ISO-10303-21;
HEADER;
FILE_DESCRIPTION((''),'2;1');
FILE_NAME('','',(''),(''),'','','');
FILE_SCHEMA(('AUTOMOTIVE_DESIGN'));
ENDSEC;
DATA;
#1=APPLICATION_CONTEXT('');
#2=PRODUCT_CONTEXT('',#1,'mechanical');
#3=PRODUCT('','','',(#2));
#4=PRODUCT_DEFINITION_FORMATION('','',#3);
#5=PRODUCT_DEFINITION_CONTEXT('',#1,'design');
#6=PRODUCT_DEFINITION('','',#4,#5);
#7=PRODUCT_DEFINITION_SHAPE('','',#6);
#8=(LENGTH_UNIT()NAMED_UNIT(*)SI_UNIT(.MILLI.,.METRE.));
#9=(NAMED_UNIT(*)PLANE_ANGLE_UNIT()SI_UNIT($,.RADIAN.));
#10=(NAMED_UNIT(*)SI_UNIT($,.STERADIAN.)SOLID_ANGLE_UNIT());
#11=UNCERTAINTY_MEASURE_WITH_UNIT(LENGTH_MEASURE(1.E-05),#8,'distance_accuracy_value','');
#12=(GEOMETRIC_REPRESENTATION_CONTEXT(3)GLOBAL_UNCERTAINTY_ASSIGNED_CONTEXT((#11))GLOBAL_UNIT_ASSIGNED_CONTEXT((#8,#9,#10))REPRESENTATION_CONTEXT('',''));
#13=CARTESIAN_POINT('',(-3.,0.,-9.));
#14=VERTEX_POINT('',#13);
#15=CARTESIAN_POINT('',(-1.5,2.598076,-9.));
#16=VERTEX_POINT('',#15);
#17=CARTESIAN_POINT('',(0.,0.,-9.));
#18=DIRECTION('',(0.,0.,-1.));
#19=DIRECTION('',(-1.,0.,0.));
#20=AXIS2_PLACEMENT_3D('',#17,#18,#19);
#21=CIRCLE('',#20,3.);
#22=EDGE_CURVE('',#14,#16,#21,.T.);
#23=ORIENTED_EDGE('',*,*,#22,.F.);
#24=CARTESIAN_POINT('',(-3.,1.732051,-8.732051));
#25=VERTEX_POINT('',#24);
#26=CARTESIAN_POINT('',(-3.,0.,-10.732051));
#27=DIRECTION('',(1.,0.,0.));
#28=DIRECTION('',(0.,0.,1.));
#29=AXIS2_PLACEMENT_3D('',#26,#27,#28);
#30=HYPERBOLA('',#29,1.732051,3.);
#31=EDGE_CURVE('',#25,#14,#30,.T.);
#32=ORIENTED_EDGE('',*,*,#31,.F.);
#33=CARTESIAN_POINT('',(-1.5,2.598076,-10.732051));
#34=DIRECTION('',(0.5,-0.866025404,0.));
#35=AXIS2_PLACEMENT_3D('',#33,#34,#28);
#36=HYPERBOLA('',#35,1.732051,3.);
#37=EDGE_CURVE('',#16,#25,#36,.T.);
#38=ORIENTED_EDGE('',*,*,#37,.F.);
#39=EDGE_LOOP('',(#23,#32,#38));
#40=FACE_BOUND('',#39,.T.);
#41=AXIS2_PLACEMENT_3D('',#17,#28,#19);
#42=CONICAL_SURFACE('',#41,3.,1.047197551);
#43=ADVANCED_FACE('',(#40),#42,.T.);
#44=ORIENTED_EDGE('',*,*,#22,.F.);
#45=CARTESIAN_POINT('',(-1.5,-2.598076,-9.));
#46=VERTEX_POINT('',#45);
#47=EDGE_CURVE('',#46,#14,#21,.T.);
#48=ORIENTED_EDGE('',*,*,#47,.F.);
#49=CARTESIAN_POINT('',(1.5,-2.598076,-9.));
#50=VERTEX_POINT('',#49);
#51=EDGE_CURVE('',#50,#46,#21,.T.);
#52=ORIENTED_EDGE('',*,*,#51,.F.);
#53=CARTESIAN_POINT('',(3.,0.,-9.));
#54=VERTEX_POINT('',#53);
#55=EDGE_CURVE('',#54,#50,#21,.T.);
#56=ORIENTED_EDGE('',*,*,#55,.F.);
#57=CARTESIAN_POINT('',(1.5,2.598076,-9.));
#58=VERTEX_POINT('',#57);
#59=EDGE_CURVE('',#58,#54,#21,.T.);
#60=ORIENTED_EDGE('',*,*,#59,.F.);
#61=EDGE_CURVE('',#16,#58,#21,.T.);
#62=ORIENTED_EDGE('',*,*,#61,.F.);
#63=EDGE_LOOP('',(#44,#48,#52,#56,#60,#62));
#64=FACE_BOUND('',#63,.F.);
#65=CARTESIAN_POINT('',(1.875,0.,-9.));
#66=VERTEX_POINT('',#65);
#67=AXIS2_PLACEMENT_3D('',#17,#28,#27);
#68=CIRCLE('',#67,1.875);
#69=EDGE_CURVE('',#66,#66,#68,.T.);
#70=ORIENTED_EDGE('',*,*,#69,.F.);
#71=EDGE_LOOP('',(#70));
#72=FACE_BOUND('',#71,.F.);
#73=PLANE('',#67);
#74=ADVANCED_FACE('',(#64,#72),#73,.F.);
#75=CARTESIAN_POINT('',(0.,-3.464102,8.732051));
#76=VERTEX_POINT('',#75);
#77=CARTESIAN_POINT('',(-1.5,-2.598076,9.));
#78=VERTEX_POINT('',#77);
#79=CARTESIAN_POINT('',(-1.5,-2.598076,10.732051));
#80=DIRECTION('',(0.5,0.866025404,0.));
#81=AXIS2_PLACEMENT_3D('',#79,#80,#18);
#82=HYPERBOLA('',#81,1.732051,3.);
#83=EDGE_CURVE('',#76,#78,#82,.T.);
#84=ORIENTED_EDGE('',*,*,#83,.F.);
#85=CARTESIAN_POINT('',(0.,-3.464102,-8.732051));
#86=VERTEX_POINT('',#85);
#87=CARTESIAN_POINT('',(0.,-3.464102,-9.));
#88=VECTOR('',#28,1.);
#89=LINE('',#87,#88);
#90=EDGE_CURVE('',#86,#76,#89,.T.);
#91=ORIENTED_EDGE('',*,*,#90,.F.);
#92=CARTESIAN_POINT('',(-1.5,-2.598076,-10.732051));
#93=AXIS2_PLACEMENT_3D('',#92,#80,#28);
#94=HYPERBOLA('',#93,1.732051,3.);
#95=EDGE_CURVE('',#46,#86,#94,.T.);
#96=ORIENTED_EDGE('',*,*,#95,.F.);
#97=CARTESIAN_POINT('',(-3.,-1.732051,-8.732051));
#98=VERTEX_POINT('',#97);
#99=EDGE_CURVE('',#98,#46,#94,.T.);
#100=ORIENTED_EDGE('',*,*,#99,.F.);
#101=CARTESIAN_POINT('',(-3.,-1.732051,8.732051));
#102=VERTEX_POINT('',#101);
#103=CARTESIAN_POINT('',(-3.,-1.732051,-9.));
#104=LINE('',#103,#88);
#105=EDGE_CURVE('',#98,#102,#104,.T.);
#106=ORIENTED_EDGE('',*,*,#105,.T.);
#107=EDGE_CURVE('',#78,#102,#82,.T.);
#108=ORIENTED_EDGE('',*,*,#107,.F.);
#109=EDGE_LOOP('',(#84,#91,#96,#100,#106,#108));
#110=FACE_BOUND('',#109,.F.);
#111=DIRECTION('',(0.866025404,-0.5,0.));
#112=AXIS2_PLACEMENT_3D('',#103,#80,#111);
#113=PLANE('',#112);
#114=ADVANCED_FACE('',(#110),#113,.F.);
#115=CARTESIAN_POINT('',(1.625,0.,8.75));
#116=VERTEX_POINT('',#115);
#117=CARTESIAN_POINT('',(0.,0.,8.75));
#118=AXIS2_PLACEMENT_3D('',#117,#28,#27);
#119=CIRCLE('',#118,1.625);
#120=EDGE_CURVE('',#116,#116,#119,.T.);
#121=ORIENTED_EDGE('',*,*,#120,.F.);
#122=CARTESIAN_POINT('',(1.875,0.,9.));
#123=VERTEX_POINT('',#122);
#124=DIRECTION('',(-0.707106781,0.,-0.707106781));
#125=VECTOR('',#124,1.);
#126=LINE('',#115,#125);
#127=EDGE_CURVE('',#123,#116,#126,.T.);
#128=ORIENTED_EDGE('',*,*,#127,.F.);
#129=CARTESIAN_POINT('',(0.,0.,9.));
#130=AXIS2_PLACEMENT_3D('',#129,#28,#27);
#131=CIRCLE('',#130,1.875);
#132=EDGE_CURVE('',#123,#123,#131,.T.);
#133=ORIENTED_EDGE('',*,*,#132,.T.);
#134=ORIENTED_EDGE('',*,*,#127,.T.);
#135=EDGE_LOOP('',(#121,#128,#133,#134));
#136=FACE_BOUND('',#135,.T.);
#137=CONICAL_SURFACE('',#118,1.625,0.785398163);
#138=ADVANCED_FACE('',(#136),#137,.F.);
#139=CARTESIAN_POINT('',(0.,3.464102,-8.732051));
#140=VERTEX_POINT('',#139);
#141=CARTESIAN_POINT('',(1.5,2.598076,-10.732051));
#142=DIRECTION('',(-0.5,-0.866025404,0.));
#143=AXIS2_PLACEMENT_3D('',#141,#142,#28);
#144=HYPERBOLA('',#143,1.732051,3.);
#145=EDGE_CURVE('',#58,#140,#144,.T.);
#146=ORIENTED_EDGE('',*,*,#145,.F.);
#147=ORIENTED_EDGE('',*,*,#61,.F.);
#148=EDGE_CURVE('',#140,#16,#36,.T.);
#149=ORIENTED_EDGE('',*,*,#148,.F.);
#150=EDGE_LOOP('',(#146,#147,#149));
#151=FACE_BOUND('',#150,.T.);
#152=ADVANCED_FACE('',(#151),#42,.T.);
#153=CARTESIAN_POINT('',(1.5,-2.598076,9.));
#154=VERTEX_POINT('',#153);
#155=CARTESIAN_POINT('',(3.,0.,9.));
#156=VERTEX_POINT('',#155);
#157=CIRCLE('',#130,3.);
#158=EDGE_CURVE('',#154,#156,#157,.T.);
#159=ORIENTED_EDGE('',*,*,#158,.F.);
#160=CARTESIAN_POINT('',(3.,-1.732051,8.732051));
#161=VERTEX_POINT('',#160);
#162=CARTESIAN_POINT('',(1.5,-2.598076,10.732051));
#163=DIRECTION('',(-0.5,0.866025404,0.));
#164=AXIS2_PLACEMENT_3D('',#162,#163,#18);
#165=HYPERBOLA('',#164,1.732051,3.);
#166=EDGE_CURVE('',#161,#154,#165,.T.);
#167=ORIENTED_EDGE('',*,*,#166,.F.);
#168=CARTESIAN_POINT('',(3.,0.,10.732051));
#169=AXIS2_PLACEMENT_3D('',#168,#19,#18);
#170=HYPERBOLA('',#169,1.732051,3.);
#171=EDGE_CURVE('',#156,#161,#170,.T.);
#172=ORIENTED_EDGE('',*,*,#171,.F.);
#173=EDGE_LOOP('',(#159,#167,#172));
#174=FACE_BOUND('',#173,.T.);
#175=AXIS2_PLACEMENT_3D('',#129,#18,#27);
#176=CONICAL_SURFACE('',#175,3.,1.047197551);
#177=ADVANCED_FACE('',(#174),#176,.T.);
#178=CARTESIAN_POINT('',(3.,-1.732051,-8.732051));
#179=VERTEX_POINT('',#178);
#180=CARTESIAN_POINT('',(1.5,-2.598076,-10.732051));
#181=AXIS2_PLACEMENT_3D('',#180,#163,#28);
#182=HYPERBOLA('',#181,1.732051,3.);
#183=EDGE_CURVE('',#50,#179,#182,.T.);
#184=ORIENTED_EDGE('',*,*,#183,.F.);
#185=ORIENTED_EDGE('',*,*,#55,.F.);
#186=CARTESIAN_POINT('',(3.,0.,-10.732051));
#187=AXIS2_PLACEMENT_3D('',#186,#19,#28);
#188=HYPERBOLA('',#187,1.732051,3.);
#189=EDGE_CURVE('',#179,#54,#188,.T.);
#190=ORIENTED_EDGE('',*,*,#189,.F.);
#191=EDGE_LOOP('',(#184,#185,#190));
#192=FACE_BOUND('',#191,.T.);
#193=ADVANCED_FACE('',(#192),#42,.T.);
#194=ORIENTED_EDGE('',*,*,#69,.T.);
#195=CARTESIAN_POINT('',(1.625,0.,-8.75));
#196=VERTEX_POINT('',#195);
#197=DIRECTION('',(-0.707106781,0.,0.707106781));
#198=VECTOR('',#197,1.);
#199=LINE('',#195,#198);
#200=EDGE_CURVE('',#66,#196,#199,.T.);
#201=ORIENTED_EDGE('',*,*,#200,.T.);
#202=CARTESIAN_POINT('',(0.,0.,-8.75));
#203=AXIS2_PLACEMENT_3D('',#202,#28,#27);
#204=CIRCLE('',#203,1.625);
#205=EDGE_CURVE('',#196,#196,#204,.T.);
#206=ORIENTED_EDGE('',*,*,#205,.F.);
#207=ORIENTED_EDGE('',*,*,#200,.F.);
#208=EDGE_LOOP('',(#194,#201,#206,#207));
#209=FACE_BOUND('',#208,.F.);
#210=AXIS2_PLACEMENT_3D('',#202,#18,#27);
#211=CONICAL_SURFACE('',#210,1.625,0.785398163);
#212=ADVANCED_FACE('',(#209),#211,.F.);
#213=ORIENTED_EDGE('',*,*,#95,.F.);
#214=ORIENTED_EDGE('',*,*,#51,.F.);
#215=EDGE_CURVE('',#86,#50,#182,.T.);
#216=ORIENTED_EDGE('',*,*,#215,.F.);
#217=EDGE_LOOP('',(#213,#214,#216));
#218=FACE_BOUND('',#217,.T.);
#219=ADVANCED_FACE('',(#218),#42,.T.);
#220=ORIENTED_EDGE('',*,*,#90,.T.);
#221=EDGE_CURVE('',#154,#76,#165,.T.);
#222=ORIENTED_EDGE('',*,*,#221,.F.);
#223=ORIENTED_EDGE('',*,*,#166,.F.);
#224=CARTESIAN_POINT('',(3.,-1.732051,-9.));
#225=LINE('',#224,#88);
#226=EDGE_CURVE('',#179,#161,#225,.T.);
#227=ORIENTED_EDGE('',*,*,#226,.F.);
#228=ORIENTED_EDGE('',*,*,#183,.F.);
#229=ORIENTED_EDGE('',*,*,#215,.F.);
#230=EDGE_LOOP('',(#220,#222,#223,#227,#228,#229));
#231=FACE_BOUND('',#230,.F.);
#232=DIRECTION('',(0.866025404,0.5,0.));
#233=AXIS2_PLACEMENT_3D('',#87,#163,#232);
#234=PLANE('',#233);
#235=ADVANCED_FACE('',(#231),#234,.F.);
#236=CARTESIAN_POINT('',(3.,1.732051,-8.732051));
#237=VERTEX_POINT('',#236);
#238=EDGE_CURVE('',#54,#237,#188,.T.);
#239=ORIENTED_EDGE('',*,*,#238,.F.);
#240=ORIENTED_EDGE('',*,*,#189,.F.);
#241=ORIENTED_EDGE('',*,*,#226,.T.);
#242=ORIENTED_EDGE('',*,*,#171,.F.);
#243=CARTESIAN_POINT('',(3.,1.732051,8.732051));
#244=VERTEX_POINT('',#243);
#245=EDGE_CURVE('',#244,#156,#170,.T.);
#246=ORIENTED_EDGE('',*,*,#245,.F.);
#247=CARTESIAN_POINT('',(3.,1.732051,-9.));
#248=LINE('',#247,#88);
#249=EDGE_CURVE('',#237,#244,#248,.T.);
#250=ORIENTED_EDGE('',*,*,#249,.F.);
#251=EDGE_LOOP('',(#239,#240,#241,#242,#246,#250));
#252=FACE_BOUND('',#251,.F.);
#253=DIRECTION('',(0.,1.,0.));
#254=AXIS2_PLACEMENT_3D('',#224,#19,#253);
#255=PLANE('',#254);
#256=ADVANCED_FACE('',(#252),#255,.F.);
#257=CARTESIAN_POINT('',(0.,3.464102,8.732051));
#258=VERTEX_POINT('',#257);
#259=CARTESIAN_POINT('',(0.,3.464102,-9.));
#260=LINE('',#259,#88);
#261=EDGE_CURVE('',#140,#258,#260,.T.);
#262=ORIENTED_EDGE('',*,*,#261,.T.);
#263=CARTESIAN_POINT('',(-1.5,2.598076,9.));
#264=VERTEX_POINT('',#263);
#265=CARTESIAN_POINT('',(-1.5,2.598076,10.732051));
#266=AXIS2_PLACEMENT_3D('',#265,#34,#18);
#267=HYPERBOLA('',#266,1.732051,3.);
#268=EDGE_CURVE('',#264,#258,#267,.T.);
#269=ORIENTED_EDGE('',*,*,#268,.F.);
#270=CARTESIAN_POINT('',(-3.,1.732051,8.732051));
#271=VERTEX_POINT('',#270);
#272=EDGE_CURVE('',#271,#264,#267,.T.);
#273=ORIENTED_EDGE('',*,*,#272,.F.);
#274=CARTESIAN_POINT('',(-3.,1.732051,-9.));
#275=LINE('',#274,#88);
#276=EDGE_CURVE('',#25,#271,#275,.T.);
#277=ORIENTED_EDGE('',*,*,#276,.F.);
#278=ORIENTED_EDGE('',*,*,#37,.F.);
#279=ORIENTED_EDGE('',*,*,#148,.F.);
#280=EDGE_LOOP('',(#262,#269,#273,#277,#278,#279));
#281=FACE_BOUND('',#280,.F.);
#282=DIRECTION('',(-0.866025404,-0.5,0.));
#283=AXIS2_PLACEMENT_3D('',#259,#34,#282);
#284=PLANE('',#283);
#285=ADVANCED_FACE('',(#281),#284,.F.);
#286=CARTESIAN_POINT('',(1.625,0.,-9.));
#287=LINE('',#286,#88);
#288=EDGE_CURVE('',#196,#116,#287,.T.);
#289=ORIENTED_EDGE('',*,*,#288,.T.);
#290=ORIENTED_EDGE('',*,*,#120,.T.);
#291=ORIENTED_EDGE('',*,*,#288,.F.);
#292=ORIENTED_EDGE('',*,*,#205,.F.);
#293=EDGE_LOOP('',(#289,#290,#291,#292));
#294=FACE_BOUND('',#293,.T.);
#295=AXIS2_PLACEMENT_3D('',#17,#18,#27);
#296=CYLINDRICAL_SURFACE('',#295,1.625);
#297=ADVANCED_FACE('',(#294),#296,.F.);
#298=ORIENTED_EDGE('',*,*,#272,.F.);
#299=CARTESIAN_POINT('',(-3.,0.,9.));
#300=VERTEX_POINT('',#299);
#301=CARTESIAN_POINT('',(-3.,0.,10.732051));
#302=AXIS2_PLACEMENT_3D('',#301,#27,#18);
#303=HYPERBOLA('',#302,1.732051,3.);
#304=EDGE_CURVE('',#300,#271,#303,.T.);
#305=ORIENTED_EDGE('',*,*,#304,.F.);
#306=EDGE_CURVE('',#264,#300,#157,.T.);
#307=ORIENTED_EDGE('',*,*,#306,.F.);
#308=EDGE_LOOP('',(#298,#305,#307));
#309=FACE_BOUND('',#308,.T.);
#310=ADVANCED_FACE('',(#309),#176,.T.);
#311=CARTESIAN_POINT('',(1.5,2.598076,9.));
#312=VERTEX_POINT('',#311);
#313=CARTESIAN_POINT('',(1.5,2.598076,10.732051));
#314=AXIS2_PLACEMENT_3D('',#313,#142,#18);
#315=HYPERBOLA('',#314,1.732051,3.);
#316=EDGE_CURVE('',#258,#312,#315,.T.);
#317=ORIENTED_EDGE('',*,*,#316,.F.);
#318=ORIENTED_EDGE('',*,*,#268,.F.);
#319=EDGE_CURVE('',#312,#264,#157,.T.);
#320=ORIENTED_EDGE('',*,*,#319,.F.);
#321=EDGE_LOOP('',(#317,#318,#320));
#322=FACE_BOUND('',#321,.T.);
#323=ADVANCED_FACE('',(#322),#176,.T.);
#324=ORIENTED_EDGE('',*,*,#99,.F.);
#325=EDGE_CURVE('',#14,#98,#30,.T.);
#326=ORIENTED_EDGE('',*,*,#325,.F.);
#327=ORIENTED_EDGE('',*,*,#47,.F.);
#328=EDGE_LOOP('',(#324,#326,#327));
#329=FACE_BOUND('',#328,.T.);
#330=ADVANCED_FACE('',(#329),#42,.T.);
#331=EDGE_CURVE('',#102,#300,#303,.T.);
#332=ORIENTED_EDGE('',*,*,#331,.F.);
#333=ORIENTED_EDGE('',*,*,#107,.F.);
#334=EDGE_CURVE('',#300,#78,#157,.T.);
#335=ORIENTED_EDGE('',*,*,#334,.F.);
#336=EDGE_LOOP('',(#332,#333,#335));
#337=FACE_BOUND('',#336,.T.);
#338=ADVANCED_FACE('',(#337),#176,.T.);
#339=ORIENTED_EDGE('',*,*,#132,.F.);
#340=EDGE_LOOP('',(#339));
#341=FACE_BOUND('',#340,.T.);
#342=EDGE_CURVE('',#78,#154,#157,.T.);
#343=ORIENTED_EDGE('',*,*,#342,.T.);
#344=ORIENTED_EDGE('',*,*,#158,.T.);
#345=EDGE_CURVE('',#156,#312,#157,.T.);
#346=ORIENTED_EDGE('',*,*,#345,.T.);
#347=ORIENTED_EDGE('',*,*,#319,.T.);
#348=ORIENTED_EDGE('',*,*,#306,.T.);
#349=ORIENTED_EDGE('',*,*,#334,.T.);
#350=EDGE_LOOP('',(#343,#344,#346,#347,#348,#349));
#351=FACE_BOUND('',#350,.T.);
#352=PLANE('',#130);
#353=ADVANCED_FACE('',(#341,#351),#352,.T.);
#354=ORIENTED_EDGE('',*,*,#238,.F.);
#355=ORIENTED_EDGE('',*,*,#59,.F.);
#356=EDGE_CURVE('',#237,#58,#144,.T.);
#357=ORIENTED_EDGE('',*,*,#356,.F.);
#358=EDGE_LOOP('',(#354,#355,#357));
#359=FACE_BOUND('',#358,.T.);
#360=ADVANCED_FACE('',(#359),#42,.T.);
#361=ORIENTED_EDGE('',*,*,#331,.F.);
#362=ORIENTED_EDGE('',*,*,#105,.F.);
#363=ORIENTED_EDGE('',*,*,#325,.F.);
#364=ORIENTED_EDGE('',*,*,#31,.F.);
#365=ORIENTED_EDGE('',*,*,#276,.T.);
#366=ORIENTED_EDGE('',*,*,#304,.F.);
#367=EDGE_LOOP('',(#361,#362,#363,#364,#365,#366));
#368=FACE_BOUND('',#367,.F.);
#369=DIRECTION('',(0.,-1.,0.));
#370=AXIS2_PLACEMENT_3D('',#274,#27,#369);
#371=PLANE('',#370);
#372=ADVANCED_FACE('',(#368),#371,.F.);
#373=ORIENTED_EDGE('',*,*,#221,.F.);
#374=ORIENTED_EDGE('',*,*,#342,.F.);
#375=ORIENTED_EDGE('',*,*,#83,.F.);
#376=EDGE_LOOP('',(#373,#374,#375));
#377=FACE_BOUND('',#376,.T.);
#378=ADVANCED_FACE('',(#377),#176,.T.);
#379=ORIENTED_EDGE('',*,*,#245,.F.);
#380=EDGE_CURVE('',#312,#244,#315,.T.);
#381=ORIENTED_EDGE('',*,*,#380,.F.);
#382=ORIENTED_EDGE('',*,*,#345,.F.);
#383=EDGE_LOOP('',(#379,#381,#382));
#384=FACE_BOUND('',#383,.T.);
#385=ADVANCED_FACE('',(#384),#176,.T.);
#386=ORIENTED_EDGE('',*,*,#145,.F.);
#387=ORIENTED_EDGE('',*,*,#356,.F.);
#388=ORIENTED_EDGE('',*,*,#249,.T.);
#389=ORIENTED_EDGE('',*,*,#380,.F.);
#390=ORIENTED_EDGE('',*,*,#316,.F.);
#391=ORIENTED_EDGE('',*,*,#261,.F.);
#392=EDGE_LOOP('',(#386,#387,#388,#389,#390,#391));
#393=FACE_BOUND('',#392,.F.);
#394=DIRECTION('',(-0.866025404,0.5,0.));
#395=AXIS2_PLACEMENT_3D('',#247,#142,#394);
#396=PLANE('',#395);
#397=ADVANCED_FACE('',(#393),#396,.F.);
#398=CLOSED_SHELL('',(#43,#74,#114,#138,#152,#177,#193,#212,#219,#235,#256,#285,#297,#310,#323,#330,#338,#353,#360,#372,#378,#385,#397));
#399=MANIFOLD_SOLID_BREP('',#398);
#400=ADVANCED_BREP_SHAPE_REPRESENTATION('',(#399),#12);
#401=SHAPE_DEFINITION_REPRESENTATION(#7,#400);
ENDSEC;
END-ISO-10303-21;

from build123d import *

# Parameters (mm, degrees)
BOSS_EXTRUDE1_DEPTH      = 9
BOSS_EXTRUDE1_DEPTH_BACK = 9
SKETCH1_R                = 1.625
SKETCH2_OUTSIDE_W        = 79.846
SKETCH2_OUTSIDE_H        = 80.774
SKETCH2_OUTSIDE_R        = 3
CUT_EXTRUDE1_DEPTH       = 19.574175621
CUT_EXTRUDE1_DRAFT       = -60
SKETCH3_OUTSIDE_W        = 79.846
SKETCH3_OUTSIDE_H        = 80.774
SKETCH3_OUTSIDE_R        = 3
CUT_EXTRUDE2_DEPTH       = 19.574175621
CUT_EXTRUDE2_DRAFT       = -60
CHAMFER1_SIZE            = 0.25


with BuildPart() as part:
    # Sketch1 → Boss-Extrude1 (new, two sides: drawn at the far end of the back side and taken through both)
    with BuildSketch(Plane.XY.offset(-BOSS_EXTRUDE1_DEPTH_BACK)):
        Polygon((0, 3.464101615), (-3, 1.732050808), (-3, -1.732050808), (0, -3.464101615), (3, -1.732050808), (3, 1.732050808), align=None)
        Circle(SKETCH1_R, mode=Mode.SUBTRACT)
    extrude(amount=BOSS_EXTRUDE1_DEPTH + BOSS_EXTRUDE1_DEPTH_BACK)


with BuildPart() as cut_extrude1_tool:
    # Sketch2 outside → Cut-Extrude1 (with draft: the straight prism first)
    with BuildSketch(Plane(origin=(0, 0, -9), x_dir=(-1, 0, 0), z_dir=(0, 0, -1))):
        Rectangle(SKETCH2_OUTSIDE_W, SKETCH2_OUTSIDE_H)
        Circle(SKETCH2_OUTSIDE_R, mode=Mode.SUBTRACT)
    extrude(amount=-CUT_EXTRUDE1_DEPTH)
    # Cut-Extrude1: the draft: its side faces are tilted about the plane it starts from
    cut_extrude1_sides = [cut_extrude1_tool.faces().sort_by_distance(p)[0] for p in [
        (0, -40.387, 0.787087811),
        (-39.923, 0, 0.787087811),
        (0, 40.387, 0.787087811),
        (39.923, 0, 0.787087811),
        (3, 0, 0.787087811),
    ]]
    draft(cut_extrude1_sides, Plane(origin=(0, 0, -9), x_dir=(-1, 0, 0), z_dir=(0, 0, -1)), CUT_EXTRUDE1_DRAFT)


with BuildPart() as part_1:
    add(part.part)

    # Cut-Extrude1: cut by cut_extrude1_tool
    add(cut_extrude1_tool.part, mode=Mode.SUBTRACT)


with BuildPart() as cut_extrude2_tool:
    # Sketch3 outside → Cut-Extrude2 (with draft: the straight prism first)
    with BuildSketch(Plane.XY.offset(9)):
        Rectangle(SKETCH3_OUTSIDE_W, SKETCH3_OUTSIDE_H)
        Circle(SKETCH3_OUTSIDE_R, mode=Mode.SUBTRACT)
    extrude(amount=-CUT_EXTRUDE2_DEPTH)
    # Cut-Extrude2: the draft: its side faces are tilted about the plane it starts from
    cut_extrude2_sides = [cut_extrude2_tool.faces().sort_by_distance(p)[0] for p in [
        (0, -40.387, -0.787087811),
        (39.923, 0, -0.787087811),
        (0, 40.387, -0.787087811),
        (-39.923, 0, -0.787087811),
        (-3, 0, -0.787087811),
    ]]
    draft(cut_extrude2_sides, Plane.XY.offset(9), CUT_EXTRUDE2_DRAFT)


with BuildPart() as part_2:
    add(part_1.part)

    # Cut-Extrude2: cut by cut_extrude2_tool
    add(cut_extrude2_tool.part, mode=Mode.SUBTRACT)

    # Chamfer1
    chamfer1_edges = [part_2.edges().sort_by_distance(p)[0] for p in [
        (-1.625, 0, -9),
        (-1.625, 0, 9),
    ]]
    chamfer(chamfer1_edges, length=CHAMFER1_SIZE)


solid = part_2.part
